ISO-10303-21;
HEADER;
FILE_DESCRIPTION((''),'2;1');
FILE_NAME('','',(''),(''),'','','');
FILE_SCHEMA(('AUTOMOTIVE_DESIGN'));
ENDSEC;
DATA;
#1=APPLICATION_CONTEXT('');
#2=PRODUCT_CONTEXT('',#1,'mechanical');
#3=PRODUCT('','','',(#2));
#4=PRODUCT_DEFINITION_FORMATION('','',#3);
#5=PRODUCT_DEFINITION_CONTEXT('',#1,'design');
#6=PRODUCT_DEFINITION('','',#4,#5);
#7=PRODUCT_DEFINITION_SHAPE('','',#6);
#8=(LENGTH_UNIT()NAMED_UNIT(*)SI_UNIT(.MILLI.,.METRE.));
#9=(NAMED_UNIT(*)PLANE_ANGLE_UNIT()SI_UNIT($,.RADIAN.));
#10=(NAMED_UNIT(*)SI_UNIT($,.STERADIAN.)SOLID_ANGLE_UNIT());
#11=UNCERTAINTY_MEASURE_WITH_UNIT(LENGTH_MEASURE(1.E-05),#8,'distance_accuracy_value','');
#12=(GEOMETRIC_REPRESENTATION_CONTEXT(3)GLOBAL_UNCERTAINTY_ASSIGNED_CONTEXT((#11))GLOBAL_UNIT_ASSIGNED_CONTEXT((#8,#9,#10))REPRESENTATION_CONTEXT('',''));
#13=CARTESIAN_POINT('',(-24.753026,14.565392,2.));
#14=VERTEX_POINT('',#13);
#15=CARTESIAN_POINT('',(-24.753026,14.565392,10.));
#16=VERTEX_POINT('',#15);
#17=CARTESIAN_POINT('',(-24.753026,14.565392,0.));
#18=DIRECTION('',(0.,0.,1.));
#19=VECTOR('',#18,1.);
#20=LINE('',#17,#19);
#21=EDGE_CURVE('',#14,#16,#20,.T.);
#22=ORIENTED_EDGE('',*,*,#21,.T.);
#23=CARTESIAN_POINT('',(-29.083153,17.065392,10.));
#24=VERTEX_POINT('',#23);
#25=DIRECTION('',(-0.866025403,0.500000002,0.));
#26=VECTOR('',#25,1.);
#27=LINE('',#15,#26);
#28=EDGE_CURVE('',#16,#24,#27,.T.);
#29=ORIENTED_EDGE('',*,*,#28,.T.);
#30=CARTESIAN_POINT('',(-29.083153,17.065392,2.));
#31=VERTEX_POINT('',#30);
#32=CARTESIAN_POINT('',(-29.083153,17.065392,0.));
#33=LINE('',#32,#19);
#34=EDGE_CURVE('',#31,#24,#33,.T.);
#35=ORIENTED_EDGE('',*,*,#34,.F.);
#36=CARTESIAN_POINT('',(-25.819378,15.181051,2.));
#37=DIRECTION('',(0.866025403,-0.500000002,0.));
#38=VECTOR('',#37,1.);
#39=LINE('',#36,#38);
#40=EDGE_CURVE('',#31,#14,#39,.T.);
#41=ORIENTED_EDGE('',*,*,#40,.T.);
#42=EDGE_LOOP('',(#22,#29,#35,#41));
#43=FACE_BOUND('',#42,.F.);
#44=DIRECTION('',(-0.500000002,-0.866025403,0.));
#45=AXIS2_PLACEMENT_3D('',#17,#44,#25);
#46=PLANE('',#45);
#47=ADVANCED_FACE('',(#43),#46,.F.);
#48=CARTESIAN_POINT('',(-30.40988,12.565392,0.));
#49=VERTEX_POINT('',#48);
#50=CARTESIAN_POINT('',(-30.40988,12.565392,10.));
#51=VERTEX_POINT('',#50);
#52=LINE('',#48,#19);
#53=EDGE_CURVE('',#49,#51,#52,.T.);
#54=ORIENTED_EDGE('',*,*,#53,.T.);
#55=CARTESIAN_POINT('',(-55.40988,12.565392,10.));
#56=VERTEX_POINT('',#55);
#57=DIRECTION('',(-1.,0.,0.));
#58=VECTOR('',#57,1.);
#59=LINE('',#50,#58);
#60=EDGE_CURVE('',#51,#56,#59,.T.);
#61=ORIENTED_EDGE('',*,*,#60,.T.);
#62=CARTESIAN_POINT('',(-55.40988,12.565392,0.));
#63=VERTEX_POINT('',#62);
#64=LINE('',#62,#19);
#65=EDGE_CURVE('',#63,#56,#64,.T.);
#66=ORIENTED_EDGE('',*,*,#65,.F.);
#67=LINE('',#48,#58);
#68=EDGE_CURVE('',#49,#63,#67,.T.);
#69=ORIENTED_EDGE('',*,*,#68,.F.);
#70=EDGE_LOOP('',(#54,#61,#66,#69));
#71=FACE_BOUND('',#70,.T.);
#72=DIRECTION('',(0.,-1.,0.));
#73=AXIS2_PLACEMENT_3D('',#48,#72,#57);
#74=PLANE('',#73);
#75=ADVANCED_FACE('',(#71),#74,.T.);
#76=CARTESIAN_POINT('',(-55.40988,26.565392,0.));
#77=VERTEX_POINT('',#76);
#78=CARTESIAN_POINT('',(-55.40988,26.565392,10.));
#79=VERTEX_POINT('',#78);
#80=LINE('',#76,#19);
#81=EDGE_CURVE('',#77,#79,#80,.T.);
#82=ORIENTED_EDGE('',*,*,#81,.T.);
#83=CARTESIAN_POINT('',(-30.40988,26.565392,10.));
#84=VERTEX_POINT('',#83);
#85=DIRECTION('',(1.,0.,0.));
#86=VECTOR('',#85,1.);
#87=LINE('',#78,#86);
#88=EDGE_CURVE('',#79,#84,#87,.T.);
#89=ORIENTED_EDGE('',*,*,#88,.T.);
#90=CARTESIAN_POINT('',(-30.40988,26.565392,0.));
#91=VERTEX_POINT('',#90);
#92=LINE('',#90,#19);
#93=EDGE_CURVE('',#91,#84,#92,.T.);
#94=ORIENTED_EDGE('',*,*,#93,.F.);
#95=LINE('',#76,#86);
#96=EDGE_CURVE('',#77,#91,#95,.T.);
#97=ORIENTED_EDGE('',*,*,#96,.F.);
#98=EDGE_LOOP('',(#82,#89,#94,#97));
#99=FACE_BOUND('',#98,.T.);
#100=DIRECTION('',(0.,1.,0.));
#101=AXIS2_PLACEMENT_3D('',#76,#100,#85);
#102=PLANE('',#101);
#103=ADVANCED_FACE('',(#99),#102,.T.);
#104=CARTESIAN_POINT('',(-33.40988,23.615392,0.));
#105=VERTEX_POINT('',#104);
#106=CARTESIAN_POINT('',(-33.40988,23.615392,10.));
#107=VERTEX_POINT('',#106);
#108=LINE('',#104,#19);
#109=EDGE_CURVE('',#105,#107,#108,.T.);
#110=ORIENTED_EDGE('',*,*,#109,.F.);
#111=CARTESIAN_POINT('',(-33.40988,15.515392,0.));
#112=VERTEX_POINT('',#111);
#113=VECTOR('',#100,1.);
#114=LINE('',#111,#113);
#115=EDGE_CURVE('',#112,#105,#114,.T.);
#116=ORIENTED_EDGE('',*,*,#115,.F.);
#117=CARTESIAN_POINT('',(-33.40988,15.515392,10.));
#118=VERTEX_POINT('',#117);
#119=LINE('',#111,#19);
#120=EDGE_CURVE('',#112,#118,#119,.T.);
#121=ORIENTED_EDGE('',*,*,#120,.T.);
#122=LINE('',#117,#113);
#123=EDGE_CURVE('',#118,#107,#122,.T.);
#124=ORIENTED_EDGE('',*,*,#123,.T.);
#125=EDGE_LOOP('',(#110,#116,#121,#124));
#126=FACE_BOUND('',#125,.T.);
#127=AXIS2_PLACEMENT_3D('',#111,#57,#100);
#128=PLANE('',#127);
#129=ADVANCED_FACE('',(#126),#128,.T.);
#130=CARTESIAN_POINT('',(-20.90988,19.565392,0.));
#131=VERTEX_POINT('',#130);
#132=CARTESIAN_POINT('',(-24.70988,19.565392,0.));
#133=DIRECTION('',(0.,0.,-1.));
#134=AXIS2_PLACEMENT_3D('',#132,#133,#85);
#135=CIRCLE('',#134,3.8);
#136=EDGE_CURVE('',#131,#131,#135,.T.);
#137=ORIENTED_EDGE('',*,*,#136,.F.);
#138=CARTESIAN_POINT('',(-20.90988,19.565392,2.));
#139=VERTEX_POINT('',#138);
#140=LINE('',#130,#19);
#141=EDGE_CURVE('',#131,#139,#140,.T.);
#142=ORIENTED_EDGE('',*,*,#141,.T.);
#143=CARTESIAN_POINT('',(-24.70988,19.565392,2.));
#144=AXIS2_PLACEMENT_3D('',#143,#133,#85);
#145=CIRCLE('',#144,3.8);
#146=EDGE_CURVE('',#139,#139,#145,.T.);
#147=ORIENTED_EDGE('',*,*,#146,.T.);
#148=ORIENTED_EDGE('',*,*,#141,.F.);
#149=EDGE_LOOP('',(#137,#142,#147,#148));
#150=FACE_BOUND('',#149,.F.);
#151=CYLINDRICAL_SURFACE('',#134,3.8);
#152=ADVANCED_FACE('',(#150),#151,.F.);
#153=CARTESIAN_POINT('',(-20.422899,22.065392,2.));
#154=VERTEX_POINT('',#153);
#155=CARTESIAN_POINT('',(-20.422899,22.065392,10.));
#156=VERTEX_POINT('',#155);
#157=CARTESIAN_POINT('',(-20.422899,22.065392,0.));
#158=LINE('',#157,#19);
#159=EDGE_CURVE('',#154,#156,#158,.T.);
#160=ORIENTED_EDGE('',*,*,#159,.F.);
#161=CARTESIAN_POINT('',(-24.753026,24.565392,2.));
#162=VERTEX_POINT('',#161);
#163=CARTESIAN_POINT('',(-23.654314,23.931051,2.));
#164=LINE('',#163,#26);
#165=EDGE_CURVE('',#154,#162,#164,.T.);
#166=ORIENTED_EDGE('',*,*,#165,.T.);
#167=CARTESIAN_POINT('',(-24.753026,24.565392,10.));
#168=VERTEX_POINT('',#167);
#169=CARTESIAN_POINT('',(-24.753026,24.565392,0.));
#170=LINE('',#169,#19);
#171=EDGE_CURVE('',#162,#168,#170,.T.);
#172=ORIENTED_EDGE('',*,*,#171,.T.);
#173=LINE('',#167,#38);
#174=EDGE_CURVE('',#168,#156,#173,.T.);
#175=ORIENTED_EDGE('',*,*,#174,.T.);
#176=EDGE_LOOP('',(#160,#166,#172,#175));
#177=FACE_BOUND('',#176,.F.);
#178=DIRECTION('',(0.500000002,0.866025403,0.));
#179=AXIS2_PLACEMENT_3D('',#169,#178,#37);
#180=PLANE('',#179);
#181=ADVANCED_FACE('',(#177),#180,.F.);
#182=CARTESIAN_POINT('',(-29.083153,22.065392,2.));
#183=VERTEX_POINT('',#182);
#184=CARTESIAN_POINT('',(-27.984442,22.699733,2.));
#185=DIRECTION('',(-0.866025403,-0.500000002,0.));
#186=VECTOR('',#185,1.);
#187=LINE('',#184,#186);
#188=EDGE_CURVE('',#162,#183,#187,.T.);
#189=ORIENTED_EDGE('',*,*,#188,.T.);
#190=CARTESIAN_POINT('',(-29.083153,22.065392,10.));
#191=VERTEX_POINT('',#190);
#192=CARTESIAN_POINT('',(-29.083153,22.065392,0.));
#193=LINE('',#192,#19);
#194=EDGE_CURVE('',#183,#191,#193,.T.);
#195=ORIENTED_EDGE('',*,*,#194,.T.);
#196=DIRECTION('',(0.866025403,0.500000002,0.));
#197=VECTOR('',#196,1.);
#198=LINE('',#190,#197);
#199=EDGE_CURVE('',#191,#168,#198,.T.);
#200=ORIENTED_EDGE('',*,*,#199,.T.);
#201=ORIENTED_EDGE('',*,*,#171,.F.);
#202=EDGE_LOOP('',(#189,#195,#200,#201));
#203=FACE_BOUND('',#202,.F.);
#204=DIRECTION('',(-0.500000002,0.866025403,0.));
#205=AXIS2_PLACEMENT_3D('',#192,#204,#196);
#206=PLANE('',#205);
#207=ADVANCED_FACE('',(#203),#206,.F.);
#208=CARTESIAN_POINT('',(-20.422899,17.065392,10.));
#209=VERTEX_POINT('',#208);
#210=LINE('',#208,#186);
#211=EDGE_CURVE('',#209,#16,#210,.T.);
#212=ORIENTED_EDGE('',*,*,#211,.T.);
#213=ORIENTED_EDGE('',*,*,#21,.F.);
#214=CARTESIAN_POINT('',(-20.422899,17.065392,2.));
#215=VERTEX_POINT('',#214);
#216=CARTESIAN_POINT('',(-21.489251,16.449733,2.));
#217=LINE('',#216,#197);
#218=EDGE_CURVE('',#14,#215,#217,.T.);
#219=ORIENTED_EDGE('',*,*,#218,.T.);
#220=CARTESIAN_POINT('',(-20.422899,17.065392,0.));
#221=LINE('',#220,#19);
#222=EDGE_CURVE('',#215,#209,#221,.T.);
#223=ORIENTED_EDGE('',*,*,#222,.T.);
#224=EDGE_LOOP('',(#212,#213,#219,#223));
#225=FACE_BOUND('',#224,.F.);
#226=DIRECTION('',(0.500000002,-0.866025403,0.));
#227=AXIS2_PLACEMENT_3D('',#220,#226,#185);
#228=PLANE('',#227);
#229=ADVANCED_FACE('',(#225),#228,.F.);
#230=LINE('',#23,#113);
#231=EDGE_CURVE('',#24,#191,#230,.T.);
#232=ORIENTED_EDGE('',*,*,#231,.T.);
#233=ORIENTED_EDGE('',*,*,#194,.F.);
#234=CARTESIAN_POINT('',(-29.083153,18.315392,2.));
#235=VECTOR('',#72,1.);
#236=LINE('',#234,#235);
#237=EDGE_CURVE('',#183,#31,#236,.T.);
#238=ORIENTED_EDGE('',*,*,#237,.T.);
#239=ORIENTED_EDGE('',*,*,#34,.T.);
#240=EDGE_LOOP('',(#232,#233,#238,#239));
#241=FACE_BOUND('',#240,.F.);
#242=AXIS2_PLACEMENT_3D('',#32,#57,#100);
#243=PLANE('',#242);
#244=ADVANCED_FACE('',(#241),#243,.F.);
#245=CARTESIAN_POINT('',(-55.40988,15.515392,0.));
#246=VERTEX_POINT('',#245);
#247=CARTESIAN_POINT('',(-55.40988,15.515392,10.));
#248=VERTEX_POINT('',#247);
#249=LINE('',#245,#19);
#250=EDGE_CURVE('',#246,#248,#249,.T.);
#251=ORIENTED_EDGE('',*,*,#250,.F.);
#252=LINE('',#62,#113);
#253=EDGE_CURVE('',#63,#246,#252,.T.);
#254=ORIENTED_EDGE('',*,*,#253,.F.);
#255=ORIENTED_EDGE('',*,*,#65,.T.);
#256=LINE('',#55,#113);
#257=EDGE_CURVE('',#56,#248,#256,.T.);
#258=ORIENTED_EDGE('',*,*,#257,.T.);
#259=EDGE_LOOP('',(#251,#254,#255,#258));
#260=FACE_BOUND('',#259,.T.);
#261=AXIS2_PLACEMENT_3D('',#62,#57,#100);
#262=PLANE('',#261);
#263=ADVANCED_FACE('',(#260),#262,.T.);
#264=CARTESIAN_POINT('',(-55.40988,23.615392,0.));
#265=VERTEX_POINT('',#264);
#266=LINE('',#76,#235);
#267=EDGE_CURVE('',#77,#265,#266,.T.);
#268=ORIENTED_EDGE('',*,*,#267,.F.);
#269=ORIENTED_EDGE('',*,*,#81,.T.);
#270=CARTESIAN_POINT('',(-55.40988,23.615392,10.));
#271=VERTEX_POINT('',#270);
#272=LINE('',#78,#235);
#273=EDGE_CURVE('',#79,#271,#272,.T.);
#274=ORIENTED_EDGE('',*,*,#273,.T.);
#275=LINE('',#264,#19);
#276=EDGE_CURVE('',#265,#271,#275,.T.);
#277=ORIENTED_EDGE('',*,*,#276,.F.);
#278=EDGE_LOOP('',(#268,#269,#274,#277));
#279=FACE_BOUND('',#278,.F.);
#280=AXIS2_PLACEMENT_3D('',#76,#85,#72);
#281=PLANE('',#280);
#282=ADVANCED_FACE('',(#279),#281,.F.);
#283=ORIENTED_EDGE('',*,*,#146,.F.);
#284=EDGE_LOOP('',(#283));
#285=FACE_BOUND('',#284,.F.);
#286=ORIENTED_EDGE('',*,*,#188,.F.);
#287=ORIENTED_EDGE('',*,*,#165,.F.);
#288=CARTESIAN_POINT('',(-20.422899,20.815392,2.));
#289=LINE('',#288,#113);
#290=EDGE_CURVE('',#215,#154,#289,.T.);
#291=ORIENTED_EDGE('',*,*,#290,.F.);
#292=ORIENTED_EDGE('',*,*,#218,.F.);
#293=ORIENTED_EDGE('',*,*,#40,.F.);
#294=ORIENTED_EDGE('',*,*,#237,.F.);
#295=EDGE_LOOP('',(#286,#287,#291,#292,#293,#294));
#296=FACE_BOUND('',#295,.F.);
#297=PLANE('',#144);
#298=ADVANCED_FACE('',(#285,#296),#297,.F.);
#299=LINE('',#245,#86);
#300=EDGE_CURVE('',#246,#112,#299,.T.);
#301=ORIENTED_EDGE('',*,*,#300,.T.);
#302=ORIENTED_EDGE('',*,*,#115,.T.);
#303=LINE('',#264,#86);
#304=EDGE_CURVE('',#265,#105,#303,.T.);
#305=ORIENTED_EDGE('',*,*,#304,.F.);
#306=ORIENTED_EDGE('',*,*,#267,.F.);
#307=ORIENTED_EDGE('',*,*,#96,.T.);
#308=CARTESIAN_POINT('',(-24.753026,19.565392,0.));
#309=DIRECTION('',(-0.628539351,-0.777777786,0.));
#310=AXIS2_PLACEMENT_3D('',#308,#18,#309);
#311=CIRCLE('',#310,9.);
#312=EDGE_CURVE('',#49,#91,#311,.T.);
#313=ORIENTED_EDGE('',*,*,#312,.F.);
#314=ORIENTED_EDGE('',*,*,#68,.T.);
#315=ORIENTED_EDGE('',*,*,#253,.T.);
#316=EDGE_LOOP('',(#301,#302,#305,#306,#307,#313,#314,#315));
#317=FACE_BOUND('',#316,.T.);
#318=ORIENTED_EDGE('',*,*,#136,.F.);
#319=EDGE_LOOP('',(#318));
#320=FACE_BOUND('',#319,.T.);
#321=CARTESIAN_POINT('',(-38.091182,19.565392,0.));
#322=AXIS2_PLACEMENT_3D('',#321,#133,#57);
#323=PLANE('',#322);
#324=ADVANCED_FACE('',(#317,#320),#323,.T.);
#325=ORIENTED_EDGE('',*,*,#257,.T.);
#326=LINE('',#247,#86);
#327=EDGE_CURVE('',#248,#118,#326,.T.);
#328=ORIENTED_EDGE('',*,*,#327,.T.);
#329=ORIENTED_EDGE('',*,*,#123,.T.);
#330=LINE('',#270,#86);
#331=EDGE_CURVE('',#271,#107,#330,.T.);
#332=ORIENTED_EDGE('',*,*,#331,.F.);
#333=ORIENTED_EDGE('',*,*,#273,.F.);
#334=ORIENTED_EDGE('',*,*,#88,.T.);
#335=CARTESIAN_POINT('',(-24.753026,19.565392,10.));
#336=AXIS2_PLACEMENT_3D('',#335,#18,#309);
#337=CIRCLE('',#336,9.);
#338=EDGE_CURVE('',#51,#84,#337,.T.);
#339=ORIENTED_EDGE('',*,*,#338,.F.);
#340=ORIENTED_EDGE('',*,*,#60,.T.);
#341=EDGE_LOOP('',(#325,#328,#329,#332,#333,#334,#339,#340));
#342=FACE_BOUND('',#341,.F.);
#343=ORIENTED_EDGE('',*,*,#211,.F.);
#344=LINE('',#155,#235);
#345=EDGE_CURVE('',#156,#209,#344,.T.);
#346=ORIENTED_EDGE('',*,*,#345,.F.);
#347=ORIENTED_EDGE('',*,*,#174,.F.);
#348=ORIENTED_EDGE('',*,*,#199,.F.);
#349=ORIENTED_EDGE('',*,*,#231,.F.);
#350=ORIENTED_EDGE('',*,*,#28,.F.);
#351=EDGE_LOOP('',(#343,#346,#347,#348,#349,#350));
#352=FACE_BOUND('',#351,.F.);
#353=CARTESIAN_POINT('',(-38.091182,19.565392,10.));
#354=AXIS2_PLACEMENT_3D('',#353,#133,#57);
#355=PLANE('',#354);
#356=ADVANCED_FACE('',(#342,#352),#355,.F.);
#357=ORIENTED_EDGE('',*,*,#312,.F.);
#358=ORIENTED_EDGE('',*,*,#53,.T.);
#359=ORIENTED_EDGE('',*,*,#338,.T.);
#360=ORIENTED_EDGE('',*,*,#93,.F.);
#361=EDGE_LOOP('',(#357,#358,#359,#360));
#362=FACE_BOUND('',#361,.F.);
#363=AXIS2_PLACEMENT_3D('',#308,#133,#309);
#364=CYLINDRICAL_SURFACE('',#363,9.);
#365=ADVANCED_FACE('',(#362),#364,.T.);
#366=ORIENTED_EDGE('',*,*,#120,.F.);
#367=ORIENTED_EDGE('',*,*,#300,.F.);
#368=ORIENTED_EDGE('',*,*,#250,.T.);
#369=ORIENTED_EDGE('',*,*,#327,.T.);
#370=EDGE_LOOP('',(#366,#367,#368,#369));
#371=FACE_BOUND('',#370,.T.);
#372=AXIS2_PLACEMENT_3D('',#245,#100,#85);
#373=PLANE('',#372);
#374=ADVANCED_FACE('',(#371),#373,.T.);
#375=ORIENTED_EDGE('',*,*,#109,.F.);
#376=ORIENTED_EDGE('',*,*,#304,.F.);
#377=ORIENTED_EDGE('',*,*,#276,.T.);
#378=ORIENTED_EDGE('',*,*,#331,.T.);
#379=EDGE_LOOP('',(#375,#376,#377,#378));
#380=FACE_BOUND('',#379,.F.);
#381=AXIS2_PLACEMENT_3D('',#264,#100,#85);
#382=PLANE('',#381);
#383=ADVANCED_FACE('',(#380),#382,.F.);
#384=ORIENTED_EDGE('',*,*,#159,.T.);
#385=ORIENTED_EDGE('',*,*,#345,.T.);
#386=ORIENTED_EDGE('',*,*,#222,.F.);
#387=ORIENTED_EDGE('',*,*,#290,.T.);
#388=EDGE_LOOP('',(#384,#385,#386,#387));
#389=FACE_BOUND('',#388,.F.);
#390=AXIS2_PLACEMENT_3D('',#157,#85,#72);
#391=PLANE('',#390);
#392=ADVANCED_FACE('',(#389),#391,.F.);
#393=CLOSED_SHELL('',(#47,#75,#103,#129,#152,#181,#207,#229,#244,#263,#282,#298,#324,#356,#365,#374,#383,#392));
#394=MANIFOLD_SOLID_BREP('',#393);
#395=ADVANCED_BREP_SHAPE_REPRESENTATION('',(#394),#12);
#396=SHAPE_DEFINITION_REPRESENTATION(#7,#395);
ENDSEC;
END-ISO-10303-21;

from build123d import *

# Parameters (mm, degrees)
PAD_DEPTH     = 10
SKETCH001_R   = 6
SKETCH001_R_2 = 3.8
PAD001_DEPTH  = 2


with BuildPart() as part:
    # Sketch → Pad (new body)
    with BuildSketch(Plane.XY):
        with BuildLine():
            Line((-55.40988, 26.565392), (-30.40988, 26.565392))
            ThreePointArc((-30.40988, 12.565392), (-15.753026, 19.565392), (-30.40988, 26.565392))
            Line((-30.40988, 12.565392), (-55.40988, 12.565392))
            Line((-55.40988, 12.565392), (-55.40988, 15.515392))
            Line((-55.40988, 15.515392), (-33.40988, 15.515392))
            Line((-33.40988, 15.515392), (-33.40988, 23.615392))
            Line((-55.40988, 23.615392), (-33.40988, 23.615392))
            Line((-55.40988, 26.565392), (-55.40988, 23.615392))
        make_face()
        Polygon((-20.422899, 22.065392), (-20.422899, 17.065392), (-24.753026, 14.565392), (-29.083153, 17.065392), (-29.083153, 22.065392), (-24.753026, 24.565392), align=None, mode=Mode.SUBTRACT)
    extrude(amount=PAD_DEPTH)

    # Sketch001 → Pad001 (new body)
    with BuildSketch(Plane(origin=(0, 0, 0), x_dir=(1, 0, 0), z_dir=(0, 0, -1))):
        with Locations((-24.70988, -19.565392)):
            Circle(SKETCH001_R)
        with Locations((-24.70988, -19.565392)):
            Circle(SKETCH001_R_2, mode=Mode.SUBTRACT)
    extrude(amount=-PAD001_DEPTH)


solid = part.part
